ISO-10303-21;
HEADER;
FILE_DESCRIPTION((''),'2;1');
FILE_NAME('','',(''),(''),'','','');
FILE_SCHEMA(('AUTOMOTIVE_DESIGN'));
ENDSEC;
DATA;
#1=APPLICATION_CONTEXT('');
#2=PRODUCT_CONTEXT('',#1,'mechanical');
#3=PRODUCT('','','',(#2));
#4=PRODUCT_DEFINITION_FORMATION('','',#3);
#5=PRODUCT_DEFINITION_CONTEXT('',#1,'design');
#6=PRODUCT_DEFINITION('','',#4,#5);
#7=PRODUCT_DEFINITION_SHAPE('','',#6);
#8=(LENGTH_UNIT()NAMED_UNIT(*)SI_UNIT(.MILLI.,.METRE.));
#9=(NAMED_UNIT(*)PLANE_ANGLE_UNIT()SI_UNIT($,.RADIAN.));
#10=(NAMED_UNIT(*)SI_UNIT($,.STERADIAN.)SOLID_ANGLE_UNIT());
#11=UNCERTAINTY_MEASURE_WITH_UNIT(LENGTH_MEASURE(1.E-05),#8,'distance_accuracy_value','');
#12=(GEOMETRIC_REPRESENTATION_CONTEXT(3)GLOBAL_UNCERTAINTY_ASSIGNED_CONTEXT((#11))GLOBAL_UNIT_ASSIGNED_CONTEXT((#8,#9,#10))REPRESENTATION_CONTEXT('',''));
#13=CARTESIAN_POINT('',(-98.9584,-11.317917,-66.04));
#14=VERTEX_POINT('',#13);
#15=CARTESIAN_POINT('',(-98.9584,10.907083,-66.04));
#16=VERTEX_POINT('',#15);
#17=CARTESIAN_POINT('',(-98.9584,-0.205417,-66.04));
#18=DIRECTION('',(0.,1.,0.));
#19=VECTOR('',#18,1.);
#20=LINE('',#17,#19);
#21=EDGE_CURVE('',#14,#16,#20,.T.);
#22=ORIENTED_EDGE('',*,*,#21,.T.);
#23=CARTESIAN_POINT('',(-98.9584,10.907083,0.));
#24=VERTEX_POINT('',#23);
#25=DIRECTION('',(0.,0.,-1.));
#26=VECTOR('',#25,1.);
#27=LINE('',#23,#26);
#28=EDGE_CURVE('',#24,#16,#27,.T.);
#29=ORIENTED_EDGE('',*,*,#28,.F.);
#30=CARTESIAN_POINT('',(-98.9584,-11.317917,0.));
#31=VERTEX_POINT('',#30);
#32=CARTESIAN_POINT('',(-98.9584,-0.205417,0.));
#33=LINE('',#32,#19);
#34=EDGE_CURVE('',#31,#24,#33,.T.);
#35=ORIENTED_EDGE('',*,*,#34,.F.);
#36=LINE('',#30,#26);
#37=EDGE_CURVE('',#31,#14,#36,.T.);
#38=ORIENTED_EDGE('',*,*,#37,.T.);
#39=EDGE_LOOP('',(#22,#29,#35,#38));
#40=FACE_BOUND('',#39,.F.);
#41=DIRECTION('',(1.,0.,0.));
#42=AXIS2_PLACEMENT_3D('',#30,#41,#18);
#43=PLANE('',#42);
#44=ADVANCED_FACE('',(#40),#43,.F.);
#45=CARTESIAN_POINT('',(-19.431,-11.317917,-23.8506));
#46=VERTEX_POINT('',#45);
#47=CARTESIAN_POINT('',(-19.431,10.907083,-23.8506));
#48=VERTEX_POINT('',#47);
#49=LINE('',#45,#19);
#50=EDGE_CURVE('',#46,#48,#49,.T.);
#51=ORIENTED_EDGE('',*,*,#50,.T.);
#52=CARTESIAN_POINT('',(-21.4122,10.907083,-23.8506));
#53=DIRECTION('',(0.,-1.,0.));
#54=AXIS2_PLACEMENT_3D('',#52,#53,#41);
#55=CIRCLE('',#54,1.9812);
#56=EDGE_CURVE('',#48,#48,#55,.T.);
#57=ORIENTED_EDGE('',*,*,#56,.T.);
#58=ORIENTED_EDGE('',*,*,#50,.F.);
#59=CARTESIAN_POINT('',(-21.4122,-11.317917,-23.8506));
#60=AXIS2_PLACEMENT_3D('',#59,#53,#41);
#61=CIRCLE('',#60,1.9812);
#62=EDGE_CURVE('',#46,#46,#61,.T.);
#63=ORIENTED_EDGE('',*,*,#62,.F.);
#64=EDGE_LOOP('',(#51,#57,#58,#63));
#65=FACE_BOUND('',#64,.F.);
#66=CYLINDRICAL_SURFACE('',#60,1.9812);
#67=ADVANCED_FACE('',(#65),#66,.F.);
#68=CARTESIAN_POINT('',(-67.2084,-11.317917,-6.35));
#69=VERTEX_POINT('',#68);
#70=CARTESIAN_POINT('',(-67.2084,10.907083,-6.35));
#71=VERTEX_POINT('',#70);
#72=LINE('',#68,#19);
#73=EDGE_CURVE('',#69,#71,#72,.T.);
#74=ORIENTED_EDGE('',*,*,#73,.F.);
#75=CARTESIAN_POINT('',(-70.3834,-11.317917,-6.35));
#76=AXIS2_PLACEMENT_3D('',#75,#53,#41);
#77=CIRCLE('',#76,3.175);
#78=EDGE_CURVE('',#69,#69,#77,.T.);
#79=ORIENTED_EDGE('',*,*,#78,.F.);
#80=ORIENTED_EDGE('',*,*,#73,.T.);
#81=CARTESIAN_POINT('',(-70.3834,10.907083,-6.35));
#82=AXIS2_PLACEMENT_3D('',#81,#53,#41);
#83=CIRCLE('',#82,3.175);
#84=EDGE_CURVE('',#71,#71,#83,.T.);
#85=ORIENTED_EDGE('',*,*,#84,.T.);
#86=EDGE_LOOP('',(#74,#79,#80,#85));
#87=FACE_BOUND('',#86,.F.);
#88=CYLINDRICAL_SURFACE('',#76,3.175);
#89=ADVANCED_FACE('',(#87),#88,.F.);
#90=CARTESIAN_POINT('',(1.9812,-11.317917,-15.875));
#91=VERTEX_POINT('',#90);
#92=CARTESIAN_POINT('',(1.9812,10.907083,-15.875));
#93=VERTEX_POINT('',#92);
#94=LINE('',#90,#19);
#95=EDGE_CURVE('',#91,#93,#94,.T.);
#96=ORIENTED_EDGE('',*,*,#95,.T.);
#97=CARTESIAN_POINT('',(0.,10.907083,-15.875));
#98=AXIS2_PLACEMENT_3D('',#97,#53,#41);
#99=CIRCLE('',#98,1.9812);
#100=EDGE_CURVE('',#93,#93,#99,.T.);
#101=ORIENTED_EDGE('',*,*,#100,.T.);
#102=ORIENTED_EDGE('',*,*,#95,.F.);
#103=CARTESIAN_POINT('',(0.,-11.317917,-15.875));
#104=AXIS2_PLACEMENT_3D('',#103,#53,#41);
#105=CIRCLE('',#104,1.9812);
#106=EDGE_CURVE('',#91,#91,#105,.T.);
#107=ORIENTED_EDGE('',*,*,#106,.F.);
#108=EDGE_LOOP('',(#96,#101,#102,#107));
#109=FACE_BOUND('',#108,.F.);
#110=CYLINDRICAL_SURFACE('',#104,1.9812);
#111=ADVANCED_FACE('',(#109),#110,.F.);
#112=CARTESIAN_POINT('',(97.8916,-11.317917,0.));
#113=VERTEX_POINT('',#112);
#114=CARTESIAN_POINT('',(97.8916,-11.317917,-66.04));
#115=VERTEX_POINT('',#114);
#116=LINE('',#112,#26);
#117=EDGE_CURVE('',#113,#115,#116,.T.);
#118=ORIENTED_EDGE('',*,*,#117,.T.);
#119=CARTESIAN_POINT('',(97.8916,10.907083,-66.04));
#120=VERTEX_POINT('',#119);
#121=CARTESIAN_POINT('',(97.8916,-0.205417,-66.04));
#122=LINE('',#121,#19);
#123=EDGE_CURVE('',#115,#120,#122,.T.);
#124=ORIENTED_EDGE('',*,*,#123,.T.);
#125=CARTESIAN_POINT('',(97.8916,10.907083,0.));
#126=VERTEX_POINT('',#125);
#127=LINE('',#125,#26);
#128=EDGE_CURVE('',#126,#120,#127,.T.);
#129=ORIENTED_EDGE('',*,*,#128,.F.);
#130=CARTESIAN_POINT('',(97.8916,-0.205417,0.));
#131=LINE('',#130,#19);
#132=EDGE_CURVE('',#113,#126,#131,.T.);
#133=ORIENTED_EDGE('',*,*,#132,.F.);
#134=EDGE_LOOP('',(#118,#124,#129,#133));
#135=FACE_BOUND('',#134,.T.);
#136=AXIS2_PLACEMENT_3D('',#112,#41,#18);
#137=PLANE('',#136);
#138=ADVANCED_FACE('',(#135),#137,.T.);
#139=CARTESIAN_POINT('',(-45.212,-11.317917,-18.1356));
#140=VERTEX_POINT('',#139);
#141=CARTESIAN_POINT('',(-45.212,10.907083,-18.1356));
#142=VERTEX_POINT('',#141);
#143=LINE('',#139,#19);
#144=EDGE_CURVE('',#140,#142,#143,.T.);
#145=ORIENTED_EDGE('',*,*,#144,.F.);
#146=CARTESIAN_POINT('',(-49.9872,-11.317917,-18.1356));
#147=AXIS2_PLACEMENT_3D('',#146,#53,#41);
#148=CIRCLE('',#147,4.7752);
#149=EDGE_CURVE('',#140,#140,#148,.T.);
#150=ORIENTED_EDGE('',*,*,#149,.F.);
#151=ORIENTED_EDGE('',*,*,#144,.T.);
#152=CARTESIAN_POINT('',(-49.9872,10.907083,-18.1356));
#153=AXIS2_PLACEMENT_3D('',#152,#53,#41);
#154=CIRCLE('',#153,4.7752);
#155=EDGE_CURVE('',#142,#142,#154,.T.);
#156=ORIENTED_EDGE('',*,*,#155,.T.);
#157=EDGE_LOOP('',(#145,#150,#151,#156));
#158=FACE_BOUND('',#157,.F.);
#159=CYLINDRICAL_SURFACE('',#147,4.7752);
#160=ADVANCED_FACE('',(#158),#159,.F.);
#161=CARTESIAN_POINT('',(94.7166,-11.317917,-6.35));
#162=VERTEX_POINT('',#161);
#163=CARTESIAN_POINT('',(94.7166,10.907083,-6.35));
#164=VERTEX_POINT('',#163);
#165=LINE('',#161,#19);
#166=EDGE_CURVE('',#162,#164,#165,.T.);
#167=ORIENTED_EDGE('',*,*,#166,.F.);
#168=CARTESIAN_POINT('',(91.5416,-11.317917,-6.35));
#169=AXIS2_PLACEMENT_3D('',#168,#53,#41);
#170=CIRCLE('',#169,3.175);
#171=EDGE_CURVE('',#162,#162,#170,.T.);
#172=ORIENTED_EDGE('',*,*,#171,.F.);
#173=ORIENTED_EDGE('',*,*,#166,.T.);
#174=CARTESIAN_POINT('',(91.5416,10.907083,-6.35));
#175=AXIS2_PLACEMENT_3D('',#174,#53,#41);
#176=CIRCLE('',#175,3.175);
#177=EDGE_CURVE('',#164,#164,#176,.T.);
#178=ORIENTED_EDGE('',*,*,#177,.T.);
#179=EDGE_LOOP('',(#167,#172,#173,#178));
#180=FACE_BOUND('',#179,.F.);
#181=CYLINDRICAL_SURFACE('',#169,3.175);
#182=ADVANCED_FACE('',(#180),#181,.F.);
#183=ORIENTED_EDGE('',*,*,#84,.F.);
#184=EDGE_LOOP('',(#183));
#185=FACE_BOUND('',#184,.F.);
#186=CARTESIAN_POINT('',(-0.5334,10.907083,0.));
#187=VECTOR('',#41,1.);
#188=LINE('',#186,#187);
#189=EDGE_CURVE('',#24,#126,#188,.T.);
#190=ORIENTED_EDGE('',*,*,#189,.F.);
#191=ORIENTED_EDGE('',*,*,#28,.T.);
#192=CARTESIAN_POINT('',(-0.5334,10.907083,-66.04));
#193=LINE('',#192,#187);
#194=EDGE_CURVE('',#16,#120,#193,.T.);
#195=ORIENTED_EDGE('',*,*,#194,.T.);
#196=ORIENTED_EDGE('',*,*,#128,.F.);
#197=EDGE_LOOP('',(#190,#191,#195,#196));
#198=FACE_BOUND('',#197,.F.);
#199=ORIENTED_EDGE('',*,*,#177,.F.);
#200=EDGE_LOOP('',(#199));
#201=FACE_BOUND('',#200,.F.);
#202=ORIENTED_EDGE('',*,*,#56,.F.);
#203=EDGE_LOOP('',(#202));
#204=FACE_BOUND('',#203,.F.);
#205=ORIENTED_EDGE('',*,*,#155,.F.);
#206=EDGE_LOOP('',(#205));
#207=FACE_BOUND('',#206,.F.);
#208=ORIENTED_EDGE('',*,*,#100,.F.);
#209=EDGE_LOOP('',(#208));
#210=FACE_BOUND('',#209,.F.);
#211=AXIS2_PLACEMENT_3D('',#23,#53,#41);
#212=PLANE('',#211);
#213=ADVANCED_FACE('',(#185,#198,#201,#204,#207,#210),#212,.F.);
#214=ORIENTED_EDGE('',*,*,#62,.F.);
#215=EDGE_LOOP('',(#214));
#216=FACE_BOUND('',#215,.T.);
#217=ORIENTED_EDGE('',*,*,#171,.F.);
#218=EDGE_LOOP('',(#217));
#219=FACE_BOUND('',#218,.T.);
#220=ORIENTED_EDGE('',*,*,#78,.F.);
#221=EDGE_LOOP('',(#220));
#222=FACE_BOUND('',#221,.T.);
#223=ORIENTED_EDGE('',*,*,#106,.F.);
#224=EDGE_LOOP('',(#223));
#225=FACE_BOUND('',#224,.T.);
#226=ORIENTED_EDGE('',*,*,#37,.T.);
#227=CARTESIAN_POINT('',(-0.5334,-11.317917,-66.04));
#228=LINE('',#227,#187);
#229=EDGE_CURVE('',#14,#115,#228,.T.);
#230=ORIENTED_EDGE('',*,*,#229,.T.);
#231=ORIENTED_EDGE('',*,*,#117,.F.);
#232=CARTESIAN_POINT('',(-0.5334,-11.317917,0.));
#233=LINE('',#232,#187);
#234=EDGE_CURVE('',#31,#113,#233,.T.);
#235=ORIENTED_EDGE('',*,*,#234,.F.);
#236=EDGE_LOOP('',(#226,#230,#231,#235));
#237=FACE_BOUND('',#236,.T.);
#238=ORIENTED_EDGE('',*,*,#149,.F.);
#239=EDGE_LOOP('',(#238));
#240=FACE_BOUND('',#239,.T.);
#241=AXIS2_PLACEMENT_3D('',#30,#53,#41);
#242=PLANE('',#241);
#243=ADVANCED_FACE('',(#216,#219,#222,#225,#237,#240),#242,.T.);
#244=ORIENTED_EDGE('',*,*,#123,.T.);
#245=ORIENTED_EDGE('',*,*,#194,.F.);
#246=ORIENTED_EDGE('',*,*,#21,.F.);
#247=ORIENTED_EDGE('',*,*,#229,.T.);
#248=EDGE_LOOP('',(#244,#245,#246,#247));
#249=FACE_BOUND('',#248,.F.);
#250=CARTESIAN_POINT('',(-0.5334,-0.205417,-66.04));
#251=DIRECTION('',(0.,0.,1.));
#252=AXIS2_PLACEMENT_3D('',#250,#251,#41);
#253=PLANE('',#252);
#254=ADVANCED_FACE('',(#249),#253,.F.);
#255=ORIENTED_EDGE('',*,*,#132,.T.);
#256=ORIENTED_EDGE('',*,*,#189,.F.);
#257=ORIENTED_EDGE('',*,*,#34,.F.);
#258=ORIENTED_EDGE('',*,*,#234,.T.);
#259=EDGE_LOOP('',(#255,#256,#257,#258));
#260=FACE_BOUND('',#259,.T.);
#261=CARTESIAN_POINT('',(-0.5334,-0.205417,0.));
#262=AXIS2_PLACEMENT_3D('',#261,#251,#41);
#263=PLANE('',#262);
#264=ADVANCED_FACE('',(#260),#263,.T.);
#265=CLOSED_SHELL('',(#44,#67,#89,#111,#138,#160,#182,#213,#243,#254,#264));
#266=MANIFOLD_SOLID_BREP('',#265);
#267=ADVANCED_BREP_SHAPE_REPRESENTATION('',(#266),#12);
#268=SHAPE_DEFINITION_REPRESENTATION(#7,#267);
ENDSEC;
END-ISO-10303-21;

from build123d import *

# Parameters (mm, degrees)
F0_W     = 196.85
F0_H     = 22.225
F1_DEPTH = 66.04
F2_R     = 3.175
F2_R_2   = 4.7752
F2_R_3   = 1.9812
F3_DEPTH = 22.226


with BuildPart() as f1:
    # F0 (on Top) → F1 (new body)
    with BuildSketch(Plane.XY):
        with Locations((-0.5334, -0.205417)):
            Rectangle(F0_W, F0_H)
    extrude(amount=-F1_DEPTH)

    # F2 (on face) → F3 (cut, through all)
    with BuildSketch(Plane.XZ.offset(11.317917)):
        with Locations((91.5416, -6.35)):
            Circle(F2_R)
        with Locations((-70.3834, -6.35)):
            Circle(F2_R)
        with Locations((-49.9872, -18.1356)):
            Circle(F2_R_2)
        with Locations((-21.4122, -23.8506)):
            Circle(F2_R_3)
        with Locations((0, -15.875)):
            Circle(F2_R_3)
    extrude(amount=-F3_DEPTH, mode=Mode.SUBTRACT)


solid = f1.part
